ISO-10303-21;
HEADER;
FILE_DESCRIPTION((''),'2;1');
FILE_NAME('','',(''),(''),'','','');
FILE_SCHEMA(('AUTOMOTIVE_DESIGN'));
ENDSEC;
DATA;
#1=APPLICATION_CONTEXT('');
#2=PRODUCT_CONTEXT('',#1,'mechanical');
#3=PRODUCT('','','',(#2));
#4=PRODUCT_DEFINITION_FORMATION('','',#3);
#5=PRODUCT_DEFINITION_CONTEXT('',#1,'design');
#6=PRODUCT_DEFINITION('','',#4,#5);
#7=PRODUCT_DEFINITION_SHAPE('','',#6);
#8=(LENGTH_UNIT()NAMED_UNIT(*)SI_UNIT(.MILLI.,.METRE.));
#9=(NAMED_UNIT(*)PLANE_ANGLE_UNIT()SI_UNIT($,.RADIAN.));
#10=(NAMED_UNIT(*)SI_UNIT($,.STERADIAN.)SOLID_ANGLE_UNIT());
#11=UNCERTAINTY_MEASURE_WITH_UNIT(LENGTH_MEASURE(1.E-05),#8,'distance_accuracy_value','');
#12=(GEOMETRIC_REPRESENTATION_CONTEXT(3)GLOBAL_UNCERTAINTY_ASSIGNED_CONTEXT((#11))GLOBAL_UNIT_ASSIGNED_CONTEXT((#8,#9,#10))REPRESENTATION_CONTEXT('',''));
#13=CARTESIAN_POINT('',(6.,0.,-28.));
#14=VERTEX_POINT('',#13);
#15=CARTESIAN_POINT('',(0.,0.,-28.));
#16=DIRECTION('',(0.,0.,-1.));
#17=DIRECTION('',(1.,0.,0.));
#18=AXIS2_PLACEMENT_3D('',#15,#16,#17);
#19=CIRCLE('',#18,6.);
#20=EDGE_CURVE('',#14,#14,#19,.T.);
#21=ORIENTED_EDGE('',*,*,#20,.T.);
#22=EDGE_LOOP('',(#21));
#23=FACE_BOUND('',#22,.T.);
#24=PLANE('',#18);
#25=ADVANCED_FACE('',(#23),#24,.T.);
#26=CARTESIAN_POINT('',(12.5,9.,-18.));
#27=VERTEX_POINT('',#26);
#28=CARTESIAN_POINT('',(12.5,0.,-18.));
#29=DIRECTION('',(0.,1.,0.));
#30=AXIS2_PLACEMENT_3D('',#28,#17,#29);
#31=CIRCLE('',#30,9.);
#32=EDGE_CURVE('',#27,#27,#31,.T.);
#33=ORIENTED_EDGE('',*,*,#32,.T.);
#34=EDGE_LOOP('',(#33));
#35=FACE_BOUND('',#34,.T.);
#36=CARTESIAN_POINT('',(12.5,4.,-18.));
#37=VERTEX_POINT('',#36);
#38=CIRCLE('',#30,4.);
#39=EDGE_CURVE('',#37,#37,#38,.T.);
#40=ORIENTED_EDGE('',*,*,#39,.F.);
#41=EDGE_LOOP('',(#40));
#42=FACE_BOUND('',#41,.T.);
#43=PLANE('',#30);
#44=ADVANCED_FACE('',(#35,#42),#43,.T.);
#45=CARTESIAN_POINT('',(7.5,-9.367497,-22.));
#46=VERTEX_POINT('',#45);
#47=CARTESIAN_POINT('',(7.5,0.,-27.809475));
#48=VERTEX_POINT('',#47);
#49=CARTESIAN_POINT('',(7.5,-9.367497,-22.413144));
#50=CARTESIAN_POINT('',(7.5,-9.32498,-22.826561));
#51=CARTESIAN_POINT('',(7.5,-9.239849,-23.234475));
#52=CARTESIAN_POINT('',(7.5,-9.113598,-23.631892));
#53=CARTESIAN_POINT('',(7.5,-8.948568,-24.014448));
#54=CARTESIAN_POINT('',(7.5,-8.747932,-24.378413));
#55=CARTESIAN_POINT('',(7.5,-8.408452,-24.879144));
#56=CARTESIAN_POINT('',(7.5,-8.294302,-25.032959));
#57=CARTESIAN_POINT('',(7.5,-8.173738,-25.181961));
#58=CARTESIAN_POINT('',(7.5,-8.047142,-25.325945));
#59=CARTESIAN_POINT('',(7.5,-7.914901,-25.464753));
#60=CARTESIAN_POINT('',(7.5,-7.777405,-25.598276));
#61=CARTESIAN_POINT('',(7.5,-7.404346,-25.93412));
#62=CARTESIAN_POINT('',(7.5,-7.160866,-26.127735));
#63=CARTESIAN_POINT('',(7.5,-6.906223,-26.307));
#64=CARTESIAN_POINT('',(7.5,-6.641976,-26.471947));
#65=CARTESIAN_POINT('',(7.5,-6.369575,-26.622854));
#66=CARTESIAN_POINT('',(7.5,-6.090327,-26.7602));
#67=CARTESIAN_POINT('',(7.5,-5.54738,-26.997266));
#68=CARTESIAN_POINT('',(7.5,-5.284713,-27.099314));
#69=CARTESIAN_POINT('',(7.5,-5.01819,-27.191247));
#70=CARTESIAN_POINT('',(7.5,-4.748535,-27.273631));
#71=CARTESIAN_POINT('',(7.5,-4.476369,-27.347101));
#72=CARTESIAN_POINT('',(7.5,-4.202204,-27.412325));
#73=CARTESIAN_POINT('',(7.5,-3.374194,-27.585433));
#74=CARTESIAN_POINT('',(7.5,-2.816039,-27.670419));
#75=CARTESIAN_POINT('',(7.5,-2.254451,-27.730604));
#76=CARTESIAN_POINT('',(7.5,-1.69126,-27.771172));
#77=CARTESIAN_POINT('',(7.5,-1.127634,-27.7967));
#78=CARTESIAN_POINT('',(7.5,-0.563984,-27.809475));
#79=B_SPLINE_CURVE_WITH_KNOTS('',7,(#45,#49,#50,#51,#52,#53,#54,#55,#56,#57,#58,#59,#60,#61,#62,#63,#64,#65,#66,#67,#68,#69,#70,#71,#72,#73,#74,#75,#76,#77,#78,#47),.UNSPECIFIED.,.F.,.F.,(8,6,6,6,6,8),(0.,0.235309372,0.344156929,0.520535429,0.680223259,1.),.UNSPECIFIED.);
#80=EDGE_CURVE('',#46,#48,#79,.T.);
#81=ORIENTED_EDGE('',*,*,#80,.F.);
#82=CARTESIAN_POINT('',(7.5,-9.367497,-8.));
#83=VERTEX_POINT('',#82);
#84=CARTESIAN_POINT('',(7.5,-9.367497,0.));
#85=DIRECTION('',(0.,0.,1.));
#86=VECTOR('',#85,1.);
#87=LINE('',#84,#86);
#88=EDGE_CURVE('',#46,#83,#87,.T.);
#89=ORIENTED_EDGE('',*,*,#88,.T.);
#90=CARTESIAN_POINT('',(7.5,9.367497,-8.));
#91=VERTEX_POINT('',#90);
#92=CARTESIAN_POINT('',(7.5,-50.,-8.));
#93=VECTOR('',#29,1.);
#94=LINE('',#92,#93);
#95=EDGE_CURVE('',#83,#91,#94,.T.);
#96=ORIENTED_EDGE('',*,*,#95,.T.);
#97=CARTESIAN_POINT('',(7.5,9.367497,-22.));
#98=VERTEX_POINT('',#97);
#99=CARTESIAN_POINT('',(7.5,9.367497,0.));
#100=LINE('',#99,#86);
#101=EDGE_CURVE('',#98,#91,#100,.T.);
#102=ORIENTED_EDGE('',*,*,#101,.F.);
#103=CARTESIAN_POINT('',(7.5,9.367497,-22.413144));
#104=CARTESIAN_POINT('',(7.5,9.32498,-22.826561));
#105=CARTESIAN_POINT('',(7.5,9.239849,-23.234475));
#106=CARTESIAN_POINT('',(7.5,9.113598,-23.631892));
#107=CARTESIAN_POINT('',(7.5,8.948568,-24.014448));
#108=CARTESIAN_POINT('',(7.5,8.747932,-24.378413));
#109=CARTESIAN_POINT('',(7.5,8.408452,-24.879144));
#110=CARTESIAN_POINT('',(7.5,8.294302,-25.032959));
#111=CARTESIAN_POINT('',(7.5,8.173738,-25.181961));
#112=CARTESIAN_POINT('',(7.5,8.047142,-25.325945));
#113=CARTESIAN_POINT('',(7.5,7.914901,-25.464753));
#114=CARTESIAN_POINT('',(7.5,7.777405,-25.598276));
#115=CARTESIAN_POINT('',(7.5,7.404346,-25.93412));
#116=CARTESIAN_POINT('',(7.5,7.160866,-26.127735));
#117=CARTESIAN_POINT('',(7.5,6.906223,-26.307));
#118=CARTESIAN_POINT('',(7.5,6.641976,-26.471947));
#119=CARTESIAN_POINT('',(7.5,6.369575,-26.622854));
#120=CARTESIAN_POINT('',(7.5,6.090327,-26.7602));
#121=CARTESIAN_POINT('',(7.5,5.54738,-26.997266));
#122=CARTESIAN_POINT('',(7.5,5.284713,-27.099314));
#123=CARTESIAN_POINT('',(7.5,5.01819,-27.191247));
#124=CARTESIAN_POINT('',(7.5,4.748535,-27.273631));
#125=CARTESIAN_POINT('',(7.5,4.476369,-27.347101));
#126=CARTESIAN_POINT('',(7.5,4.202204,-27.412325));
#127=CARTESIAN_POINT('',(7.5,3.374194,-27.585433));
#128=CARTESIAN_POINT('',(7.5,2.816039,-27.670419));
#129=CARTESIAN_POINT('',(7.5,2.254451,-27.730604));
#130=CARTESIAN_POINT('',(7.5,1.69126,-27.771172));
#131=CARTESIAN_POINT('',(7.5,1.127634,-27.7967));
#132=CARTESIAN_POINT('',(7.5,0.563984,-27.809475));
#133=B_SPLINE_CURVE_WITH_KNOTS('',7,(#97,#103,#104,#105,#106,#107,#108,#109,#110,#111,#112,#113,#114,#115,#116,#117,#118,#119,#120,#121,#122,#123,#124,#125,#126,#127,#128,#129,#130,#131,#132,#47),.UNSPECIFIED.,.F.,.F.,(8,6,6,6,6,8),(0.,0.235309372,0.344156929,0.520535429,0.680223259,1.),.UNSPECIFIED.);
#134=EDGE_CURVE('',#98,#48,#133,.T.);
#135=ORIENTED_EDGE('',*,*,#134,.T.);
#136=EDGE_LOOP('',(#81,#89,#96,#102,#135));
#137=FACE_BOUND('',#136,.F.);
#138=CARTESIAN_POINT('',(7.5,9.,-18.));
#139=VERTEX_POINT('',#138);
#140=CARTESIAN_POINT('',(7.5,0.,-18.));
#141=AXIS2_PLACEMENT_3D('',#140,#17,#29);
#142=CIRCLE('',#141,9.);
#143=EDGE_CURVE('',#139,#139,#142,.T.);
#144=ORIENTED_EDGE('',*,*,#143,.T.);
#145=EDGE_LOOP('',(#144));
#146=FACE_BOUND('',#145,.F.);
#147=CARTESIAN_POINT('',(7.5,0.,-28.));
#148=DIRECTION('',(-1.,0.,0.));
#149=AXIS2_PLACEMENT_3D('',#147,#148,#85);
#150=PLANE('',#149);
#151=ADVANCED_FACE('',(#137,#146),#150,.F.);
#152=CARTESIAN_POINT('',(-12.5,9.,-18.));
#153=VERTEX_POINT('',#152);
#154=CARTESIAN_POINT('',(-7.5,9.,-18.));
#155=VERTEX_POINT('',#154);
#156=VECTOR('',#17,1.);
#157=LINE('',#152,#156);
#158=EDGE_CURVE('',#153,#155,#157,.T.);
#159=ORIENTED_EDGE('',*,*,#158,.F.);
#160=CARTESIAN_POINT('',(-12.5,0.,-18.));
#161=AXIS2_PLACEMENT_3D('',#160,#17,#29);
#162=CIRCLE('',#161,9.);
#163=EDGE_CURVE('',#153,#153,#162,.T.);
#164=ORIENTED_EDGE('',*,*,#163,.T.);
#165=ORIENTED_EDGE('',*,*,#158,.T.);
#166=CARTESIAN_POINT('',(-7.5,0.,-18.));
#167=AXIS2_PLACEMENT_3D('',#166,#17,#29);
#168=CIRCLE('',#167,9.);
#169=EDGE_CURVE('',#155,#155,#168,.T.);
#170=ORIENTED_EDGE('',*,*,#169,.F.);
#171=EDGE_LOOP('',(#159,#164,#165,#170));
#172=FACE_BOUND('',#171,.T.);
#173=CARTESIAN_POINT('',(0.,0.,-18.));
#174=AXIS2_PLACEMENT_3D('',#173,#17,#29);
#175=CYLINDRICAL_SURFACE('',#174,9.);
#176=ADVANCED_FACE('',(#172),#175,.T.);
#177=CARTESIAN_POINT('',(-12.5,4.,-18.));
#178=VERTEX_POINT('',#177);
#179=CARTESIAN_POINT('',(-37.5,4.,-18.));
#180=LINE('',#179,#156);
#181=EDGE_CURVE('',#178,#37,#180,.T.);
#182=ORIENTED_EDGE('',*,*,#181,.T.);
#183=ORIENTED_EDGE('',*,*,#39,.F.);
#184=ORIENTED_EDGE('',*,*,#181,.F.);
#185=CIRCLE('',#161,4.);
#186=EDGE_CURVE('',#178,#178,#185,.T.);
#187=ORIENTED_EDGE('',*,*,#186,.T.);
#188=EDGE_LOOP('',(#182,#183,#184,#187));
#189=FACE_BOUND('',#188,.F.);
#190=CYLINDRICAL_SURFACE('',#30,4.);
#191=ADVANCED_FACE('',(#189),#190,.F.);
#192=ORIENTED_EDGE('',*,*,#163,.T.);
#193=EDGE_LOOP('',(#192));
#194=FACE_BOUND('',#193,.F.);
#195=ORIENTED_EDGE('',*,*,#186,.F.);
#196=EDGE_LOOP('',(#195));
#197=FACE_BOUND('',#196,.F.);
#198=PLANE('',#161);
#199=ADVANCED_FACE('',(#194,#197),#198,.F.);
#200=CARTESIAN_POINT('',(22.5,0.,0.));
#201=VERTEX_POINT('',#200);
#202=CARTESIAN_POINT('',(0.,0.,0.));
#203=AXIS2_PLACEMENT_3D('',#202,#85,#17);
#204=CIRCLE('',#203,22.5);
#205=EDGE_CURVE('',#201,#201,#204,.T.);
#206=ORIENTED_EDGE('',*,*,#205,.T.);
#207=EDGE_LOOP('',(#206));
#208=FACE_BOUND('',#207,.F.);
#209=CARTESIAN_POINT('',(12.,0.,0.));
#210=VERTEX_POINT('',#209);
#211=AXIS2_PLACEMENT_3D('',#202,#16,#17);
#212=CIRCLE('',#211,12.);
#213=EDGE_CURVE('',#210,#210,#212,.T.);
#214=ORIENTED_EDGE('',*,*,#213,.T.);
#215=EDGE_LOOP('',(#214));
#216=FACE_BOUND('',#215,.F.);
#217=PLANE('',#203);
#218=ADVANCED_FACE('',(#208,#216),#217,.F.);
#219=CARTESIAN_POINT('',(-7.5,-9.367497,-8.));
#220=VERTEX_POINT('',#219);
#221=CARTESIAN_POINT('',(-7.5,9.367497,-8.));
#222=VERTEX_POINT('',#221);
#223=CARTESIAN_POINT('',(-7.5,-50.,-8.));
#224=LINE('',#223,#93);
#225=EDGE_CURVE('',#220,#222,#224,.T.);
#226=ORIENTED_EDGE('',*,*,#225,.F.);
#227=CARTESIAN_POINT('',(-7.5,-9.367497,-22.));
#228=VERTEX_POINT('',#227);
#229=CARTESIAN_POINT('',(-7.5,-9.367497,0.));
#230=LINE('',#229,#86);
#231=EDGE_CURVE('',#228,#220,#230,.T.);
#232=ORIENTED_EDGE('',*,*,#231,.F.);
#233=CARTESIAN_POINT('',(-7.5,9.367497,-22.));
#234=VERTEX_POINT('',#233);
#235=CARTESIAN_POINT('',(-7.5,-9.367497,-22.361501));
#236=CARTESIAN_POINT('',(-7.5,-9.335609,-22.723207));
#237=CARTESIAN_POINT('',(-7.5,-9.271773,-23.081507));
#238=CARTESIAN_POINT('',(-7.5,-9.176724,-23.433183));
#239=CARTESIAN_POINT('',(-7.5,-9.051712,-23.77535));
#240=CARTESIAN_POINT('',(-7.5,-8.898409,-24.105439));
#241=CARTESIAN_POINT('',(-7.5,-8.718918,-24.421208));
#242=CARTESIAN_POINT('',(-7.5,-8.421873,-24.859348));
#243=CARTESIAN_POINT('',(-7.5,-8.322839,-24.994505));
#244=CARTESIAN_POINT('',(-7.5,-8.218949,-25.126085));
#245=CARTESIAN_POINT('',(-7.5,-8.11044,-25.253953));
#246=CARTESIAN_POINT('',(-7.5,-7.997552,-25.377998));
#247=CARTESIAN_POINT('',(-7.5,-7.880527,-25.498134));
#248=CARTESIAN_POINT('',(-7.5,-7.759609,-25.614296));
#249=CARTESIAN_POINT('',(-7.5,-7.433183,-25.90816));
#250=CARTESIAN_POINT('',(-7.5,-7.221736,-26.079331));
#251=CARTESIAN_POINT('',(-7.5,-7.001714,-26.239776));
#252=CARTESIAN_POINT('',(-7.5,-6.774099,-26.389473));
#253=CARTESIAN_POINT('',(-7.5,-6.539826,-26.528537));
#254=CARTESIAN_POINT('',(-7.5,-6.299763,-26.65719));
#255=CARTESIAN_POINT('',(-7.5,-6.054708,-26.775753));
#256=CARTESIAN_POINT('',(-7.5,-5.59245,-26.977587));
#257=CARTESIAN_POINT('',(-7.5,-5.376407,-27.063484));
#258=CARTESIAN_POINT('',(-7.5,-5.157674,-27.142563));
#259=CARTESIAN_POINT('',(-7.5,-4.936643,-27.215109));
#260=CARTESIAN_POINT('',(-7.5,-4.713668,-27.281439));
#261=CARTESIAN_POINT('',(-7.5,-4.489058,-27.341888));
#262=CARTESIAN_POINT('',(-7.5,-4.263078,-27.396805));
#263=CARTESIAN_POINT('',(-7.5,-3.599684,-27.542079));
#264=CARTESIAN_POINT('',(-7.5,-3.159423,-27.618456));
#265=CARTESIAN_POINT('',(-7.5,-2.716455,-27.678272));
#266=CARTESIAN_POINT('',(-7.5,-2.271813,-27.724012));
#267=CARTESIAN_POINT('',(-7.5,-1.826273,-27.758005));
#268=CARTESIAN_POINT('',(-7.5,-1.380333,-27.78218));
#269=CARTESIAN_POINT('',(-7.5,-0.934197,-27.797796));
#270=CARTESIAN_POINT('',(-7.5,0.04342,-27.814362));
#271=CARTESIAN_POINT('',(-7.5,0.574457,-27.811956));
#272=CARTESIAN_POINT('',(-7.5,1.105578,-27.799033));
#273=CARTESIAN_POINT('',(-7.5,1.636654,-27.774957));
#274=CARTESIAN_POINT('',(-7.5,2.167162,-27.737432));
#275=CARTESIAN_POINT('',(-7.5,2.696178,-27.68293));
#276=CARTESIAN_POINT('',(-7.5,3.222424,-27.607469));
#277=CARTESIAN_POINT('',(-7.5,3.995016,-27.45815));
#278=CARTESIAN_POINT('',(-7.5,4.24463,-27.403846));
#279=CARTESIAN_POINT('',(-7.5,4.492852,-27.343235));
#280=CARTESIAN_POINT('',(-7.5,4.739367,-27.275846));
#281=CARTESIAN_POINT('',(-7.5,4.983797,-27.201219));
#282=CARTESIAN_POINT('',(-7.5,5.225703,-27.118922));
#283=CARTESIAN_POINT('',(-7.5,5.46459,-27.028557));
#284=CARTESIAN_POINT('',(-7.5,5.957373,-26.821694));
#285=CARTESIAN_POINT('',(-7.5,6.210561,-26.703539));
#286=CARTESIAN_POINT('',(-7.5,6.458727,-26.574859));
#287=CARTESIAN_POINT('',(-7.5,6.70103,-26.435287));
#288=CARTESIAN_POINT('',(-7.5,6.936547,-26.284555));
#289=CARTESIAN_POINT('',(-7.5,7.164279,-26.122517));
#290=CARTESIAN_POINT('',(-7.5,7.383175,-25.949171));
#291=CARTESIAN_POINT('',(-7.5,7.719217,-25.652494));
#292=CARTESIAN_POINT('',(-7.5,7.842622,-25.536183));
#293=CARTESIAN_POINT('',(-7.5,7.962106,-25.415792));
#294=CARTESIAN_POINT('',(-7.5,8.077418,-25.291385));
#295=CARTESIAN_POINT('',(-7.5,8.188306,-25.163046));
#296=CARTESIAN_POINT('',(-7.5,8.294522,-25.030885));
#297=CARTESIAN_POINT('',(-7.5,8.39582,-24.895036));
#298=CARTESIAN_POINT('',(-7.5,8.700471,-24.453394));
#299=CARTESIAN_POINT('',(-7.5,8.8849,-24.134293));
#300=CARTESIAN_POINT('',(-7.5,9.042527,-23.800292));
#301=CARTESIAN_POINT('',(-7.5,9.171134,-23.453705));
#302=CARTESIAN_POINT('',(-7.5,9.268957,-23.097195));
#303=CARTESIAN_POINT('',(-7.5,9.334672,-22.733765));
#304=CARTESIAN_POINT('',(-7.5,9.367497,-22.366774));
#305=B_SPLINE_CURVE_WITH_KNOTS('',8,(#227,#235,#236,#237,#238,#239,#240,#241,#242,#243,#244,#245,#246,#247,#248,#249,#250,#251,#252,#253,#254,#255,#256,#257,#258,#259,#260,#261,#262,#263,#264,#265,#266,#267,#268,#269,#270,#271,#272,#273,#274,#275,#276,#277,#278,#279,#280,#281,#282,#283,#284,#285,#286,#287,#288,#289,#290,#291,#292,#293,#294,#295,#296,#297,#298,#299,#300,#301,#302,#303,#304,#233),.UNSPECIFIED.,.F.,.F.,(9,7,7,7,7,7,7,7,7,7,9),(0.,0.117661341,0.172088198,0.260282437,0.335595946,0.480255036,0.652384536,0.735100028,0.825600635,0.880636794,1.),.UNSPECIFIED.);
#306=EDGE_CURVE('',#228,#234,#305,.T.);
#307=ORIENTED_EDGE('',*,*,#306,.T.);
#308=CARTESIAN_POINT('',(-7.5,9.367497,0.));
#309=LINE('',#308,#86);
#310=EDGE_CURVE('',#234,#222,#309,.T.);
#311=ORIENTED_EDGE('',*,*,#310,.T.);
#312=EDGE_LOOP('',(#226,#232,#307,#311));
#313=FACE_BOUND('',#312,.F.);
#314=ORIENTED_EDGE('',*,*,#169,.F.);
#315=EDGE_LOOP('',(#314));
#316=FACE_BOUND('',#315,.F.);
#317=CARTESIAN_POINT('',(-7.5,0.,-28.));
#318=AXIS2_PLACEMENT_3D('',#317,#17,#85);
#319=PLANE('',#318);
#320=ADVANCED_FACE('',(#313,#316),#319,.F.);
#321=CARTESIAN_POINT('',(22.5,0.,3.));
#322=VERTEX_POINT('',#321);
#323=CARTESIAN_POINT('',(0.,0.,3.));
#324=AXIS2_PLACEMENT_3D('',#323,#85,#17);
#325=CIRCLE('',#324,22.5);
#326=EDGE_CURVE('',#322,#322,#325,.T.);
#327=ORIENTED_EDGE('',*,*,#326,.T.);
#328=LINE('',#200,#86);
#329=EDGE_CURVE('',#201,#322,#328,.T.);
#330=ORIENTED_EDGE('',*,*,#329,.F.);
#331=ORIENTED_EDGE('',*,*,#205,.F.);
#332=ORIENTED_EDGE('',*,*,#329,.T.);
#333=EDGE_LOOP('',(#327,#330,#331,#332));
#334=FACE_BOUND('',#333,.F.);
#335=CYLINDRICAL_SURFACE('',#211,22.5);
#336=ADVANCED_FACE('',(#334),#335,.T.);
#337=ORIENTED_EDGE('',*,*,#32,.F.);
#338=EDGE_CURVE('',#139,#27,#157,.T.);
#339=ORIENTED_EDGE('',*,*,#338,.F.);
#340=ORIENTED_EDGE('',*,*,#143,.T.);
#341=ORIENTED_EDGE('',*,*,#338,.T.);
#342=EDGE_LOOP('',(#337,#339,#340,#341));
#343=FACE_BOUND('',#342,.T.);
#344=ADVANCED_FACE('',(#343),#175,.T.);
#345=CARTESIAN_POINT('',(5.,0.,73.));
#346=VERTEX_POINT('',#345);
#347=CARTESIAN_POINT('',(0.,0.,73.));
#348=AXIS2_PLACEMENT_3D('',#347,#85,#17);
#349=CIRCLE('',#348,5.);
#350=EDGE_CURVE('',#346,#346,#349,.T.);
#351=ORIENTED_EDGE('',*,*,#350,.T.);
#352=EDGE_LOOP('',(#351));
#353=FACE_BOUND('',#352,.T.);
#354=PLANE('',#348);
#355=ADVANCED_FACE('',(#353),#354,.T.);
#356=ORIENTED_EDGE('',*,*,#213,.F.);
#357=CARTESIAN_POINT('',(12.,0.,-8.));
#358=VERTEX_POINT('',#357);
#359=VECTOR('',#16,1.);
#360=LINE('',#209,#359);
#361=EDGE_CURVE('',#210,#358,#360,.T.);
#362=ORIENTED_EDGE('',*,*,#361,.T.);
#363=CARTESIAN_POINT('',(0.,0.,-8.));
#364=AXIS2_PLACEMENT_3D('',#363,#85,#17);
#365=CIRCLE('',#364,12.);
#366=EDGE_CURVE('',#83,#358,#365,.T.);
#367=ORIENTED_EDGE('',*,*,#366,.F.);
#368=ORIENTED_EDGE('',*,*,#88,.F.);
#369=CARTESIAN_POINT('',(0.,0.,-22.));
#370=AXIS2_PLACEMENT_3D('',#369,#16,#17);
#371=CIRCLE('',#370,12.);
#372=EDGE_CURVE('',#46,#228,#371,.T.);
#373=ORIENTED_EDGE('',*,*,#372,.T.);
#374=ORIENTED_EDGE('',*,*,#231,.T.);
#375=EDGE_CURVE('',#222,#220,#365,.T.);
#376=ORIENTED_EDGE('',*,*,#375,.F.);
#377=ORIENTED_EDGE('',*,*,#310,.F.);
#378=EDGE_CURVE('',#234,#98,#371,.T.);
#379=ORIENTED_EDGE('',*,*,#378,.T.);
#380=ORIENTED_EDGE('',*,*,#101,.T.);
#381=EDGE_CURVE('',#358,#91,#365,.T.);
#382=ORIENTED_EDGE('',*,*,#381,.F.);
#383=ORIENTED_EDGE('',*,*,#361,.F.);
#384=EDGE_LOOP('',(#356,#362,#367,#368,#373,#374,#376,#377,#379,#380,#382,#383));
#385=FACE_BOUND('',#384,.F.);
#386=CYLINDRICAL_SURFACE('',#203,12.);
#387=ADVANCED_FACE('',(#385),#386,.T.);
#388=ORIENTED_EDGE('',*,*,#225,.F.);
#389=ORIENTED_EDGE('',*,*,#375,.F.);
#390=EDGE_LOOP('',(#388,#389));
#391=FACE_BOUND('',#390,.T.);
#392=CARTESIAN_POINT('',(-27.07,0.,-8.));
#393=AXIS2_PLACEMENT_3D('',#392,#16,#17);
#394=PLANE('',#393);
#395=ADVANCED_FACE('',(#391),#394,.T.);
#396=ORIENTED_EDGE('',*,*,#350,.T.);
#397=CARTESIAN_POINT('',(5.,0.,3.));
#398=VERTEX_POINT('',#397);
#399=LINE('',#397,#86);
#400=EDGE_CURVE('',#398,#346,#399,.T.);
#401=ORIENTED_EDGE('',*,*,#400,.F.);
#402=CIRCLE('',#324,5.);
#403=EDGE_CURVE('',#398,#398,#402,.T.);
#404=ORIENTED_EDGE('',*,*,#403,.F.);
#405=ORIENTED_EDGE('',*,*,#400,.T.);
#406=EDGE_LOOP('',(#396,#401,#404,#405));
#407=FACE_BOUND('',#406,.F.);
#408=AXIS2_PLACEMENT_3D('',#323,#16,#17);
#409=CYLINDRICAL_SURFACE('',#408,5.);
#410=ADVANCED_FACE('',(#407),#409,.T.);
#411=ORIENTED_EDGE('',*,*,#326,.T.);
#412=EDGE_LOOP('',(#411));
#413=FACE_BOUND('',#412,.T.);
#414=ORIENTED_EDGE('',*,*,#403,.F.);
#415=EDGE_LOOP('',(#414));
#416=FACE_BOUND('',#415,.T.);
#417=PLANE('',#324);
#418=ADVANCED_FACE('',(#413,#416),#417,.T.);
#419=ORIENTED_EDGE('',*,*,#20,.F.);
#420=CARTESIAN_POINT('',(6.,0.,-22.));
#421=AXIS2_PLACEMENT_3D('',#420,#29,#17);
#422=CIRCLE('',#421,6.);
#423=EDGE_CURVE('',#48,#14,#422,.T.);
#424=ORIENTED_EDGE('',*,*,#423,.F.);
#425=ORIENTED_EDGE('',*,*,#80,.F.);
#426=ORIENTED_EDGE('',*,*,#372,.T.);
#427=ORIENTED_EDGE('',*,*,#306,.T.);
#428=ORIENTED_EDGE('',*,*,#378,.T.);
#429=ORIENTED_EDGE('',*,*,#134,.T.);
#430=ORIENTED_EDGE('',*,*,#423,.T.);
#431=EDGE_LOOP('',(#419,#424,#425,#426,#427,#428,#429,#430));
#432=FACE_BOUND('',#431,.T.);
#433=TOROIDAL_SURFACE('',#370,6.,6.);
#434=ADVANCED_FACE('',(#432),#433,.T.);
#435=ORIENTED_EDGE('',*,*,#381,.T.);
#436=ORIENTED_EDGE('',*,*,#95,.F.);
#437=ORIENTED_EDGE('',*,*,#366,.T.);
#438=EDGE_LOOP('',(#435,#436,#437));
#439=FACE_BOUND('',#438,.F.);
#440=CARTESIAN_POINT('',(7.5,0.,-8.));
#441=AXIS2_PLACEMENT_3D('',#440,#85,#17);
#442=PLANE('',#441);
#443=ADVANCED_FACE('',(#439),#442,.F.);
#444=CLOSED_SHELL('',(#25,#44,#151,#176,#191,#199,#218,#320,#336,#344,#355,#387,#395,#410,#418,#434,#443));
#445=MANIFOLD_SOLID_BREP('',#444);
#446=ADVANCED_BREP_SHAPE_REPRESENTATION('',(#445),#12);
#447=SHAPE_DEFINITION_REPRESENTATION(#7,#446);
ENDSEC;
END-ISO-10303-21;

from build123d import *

# Parameters (mm, degrees)
F0_R      = 22.5
F1_DEPTH  = 3
F2_R      = 5
F3_DEPTH  = 70
F4_R      = 12
F5_DEPTH  = 28
F6_R      = 6
F7_W      = 19.57
F7_H      = 20
F8_DEPTH  = 50
F9_R      = 4
F10_DEPTH = 30.001
F12_R     = 9
F13_DEPTH = 12.5
F14_R     = 4
F15_DEPTH = 50


with BuildPart() as f1:
    # F0 (on Top) → F1 (new body)
    with BuildSketch(Plane.XY):
        Circle(F0_R)
    extrude(amount=F1_DEPTH)

    # F2 (on face) → F3 (join)
    with BuildSketch(Plane.XY.offset(3)):
        Circle(F2_R)
    extrude(amount=F3_DEPTH)

    # F4 (on face) → F5 (join)
    with BuildSketch(Plane(origin=(0, 0, 0), x_dir=(1, 0, 0), z_dir=(0, 0, -1))):
        Circle(F4_R)
    extrude(amount=F5_DEPTH)

    # F6
    f6_edges = [f1.edges().sort_by_distance(p)[0] for p in [
        (-12, 0, -28),
    ]]
    fillet(f6_edges, radius=F6_R)

    # F7 (on Front) → F8 (cut, symmetric)
    with BuildSketch(Plane.XZ):
        with Locations((17.285, -18)):
            Rectangle(F7_W, F7_H)
        with Locations((-17.285, -18)):
            Rectangle(F7_W, F7_H)
    extrude(amount=F8_DEPTH, both=True, mode=Mode.SUBTRACT)

    # F9 (on face) → F10 (cut, through all)
    with BuildSketch(Plane.YZ.offset(7.5)):
        with Locations((0, -18)):
            Circle(F9_R)
    extrude(amount=-F10_DEPTH, mode=Mode.SUBTRACT)

    # F12 (on face) → F13 (join, symmetric)
    with BuildSketch(Plane.YZ):
        with Locations((0, -18)):
            Circle(F12_R)
    extrude(amount=F13_DEPTH, both=True)

    # F14 (on face) → F15 (cut, symmetric)
    with BuildSketch(Plane.YZ.offset(12.5)):
        with Locations((0, -18)):
            Circle(F14_R)
    extrude(amount=F15_DEPTH, both=True, mode=Mode.SUBTRACT)


solid = f1.part
